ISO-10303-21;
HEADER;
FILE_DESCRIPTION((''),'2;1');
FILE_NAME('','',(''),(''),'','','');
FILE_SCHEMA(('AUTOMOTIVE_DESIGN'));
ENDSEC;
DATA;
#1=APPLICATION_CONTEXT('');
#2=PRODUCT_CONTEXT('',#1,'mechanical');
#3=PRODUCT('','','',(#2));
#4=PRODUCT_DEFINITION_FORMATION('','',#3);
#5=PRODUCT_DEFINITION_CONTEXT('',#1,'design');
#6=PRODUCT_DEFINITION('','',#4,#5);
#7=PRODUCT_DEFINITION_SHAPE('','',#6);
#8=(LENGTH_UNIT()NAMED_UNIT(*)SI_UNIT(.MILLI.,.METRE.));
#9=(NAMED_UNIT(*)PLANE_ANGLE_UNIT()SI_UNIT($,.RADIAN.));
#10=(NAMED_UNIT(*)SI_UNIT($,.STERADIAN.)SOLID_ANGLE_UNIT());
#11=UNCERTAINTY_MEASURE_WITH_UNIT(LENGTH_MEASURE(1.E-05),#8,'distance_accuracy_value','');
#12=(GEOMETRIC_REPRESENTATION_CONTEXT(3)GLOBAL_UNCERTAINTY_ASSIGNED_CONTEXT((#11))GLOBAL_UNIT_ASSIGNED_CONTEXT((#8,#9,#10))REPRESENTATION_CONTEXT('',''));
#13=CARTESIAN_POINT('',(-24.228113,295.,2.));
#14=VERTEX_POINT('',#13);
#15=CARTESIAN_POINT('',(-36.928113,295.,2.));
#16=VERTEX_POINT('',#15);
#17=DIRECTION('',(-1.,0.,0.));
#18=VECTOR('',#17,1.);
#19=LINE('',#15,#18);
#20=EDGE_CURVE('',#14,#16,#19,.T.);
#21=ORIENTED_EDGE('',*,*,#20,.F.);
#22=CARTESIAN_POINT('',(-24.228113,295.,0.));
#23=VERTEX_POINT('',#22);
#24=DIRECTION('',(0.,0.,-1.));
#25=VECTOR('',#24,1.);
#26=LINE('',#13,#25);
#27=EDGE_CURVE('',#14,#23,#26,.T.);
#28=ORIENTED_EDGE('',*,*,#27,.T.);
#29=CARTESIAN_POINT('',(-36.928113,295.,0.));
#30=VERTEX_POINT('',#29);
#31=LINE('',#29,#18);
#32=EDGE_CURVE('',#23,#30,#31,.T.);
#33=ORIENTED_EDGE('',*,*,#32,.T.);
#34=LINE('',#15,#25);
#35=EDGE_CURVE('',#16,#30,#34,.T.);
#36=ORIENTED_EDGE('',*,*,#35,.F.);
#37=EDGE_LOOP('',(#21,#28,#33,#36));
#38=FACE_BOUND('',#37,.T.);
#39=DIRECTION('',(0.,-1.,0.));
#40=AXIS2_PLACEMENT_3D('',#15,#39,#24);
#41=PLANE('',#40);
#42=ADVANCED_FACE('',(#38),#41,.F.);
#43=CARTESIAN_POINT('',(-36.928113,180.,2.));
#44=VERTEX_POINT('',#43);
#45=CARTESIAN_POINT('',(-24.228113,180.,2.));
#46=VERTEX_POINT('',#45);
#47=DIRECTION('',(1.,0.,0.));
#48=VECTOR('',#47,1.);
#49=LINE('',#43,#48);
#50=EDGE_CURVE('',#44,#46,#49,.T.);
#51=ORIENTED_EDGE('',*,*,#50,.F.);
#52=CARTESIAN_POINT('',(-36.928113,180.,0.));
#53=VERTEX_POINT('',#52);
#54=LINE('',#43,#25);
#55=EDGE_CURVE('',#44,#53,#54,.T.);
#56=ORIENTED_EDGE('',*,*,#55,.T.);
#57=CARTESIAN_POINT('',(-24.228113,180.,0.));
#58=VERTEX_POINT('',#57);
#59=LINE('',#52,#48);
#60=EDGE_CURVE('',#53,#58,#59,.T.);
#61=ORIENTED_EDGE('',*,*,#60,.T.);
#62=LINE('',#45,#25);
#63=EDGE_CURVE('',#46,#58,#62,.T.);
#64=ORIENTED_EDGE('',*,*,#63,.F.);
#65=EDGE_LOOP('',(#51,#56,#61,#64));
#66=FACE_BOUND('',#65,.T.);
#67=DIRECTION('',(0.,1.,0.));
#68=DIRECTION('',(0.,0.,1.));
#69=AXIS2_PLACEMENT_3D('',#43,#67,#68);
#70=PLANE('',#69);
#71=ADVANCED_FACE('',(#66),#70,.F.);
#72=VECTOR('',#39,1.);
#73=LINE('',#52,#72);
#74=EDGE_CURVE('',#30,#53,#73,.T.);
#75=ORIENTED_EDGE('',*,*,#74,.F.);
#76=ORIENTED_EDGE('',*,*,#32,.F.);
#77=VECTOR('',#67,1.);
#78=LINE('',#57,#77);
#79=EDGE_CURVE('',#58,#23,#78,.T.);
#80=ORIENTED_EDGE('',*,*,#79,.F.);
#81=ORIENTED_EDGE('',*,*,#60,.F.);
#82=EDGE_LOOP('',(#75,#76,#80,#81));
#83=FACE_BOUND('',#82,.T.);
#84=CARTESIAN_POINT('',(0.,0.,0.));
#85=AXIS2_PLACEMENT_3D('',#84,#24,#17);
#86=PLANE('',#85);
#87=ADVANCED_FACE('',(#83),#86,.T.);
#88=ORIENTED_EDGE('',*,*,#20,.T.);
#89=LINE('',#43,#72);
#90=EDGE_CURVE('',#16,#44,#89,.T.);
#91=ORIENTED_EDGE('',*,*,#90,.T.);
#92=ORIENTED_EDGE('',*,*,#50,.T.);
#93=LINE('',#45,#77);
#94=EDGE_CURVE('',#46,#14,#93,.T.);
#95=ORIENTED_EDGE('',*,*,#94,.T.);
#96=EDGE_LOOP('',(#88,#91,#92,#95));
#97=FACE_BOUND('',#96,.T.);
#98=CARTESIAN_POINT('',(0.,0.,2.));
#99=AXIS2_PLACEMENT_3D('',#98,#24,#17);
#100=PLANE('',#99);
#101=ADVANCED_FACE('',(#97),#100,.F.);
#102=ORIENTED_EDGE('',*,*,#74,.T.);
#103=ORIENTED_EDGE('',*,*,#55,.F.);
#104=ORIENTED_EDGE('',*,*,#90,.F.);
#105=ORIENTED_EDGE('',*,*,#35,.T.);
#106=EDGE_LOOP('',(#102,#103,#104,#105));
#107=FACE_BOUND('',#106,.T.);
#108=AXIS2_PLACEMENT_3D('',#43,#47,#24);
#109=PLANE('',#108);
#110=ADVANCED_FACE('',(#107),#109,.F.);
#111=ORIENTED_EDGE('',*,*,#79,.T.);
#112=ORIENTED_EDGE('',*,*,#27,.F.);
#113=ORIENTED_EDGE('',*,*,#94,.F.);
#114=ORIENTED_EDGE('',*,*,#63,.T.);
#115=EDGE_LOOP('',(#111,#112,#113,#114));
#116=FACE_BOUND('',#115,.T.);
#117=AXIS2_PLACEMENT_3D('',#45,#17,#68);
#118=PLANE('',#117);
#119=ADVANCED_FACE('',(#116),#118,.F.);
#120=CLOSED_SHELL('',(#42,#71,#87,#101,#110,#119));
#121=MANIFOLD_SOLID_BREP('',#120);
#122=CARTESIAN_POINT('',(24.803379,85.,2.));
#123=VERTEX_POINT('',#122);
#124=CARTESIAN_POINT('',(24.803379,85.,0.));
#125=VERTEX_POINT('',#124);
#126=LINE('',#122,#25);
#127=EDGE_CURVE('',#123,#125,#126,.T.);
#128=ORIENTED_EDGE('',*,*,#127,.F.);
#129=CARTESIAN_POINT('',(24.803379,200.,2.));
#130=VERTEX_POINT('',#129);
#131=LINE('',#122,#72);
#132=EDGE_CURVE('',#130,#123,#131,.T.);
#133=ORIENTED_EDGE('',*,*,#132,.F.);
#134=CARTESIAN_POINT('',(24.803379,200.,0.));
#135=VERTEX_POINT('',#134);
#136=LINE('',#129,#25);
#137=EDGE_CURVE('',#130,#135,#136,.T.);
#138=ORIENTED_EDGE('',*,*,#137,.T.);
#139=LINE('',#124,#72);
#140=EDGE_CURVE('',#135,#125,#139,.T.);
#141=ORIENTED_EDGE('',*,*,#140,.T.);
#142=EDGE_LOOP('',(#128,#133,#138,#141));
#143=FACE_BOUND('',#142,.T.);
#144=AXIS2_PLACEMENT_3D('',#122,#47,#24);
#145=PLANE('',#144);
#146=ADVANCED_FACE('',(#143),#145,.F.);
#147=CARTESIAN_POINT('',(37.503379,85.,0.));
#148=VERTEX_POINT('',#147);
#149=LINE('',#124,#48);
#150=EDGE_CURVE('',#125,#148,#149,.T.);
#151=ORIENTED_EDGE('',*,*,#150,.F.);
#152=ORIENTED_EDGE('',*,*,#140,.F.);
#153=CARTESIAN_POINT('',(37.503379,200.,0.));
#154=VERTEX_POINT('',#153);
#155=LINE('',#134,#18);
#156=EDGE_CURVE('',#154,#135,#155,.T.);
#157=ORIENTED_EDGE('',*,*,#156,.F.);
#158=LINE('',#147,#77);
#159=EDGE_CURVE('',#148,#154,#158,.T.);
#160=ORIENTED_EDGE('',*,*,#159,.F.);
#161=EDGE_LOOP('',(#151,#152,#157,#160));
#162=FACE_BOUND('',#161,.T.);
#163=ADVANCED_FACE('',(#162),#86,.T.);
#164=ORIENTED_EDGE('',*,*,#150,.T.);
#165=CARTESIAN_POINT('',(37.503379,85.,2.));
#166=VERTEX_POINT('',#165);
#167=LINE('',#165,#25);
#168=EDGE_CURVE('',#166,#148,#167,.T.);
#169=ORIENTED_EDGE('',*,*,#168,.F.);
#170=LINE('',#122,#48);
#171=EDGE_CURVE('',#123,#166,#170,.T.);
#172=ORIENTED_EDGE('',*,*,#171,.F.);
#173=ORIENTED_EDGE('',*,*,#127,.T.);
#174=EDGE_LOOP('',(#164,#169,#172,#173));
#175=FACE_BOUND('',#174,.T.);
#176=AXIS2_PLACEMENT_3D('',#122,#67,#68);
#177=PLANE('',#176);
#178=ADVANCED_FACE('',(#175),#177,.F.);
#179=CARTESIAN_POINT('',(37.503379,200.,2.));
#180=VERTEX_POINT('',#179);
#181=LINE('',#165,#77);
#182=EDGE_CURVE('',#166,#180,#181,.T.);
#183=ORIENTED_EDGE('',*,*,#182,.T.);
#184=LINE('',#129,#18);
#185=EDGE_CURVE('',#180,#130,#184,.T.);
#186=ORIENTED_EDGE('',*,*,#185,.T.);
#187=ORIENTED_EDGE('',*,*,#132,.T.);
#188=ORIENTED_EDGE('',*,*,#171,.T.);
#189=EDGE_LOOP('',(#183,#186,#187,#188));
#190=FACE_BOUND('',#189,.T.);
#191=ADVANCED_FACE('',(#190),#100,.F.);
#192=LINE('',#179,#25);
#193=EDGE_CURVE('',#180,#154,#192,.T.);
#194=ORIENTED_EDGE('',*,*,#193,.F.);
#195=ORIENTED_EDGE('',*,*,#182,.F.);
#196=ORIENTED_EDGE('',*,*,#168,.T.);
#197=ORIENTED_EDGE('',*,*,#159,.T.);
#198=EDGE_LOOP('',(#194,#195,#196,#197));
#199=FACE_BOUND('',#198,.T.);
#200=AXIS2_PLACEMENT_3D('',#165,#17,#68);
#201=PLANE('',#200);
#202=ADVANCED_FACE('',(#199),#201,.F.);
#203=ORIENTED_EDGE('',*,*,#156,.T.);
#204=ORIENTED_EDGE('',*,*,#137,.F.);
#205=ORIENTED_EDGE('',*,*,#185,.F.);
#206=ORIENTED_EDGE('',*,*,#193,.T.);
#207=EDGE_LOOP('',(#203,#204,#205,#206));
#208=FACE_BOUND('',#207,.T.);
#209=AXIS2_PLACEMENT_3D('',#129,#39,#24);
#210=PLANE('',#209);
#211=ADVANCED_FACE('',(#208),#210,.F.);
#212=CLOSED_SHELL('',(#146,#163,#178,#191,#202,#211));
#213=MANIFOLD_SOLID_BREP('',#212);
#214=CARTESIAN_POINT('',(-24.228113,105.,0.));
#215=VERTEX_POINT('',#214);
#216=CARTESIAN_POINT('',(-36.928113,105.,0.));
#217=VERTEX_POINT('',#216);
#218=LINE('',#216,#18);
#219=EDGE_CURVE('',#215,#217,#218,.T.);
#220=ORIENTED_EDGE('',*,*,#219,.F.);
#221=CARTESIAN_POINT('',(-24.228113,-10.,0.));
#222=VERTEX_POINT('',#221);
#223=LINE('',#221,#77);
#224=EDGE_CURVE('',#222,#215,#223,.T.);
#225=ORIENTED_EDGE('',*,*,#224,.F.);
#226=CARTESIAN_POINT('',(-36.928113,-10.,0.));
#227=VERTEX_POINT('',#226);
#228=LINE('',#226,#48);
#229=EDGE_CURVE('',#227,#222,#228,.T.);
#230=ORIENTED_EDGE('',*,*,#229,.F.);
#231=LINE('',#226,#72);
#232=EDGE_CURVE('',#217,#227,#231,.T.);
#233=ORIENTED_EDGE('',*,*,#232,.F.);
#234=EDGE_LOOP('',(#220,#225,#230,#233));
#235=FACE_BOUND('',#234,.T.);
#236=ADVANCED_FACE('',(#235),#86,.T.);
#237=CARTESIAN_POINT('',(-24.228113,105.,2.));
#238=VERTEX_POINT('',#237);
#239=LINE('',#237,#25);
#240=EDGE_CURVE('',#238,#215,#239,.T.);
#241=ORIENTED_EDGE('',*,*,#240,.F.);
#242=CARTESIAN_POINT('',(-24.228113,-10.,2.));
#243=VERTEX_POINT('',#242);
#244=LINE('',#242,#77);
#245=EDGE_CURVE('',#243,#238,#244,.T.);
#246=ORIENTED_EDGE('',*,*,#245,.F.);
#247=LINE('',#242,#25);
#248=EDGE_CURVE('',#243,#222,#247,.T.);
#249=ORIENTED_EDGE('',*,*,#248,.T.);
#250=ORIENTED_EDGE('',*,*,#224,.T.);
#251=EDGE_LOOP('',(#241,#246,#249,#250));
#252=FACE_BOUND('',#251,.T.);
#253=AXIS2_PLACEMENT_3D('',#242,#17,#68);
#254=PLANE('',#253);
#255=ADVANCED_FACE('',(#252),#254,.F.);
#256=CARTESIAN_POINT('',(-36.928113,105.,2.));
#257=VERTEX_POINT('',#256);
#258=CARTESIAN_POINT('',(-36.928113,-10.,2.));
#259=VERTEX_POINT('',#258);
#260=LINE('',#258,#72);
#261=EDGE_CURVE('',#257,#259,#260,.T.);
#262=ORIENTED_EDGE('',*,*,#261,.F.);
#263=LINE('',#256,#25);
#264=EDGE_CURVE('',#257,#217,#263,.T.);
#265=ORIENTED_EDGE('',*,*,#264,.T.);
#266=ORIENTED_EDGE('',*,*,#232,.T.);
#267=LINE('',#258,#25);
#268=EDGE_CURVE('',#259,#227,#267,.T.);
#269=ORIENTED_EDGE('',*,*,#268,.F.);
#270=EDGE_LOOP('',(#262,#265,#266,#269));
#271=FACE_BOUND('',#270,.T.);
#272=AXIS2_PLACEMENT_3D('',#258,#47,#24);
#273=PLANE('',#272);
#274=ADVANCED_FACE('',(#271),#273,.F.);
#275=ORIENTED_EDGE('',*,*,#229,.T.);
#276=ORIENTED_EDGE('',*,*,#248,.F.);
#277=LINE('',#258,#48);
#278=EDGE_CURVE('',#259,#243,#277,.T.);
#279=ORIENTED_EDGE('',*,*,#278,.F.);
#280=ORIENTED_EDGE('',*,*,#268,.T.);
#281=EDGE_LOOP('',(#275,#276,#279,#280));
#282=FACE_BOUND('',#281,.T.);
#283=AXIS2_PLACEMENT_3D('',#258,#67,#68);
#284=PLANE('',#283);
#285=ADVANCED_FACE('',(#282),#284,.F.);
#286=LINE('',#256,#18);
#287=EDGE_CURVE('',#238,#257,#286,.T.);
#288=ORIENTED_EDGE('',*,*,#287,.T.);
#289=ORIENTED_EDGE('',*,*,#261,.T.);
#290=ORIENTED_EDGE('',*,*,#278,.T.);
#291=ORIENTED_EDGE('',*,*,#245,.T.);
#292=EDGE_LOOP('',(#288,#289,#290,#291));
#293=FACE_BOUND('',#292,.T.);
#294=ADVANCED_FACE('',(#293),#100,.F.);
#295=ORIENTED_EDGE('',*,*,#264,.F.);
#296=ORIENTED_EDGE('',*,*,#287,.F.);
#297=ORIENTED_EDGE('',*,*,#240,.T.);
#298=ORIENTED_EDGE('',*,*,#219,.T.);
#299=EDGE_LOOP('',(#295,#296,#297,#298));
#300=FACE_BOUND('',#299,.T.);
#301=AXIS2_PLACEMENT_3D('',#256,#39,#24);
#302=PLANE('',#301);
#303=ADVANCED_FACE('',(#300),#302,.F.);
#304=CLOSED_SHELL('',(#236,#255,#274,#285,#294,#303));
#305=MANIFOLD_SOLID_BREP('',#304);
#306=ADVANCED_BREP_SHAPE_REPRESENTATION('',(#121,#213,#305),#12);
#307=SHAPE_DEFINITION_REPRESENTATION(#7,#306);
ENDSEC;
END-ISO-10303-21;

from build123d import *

# Parameters (mm, degrees)
SKETCH1_W             = 12.7
SKETCH1_H             = 115
BOSS_EXTRUDE1_DEPTH   = 2
BOSS_EXTRUDE1_2_DEPTH = 2
BOSS_EXTRUDE1_3_DEPTH = 2


with BuildPart() as part:
    # Sketch1 → Boss-Extrude1 (new body)
    with BuildSketch(Plane.XY):
        with Locations((-30.578112918, 47.5)):
            Rectangle(SKETCH1_W, SKETCH1_H)
    extrude(amount=BOSS_EXTRUDE1_DEPTH)


with BuildPart() as body_2:
    # Sketch1 → Boss-Extrude1 2 (new body)
    with BuildSketch(Plane.XY):
        with Locations((31.153379131, 142.5)):
            Rectangle(SKETCH1_W, SKETCH1_H)
    extrude(amount=BOSS_EXTRUDE1_2_DEPTH)


with BuildPart() as body_3:
    # Sketch1 → Boss-Extrude1 3 (new body)
    with BuildSketch(Plane.XY):
        with Locations((-30.578112918, 237.5)):
            Rectangle(SKETCH1_W, SKETCH1_H)
    extrude(amount=BOSS_EXTRUDE1_3_DEPTH)


solid = Compound([part.part, body_2.part, body_3.part])
